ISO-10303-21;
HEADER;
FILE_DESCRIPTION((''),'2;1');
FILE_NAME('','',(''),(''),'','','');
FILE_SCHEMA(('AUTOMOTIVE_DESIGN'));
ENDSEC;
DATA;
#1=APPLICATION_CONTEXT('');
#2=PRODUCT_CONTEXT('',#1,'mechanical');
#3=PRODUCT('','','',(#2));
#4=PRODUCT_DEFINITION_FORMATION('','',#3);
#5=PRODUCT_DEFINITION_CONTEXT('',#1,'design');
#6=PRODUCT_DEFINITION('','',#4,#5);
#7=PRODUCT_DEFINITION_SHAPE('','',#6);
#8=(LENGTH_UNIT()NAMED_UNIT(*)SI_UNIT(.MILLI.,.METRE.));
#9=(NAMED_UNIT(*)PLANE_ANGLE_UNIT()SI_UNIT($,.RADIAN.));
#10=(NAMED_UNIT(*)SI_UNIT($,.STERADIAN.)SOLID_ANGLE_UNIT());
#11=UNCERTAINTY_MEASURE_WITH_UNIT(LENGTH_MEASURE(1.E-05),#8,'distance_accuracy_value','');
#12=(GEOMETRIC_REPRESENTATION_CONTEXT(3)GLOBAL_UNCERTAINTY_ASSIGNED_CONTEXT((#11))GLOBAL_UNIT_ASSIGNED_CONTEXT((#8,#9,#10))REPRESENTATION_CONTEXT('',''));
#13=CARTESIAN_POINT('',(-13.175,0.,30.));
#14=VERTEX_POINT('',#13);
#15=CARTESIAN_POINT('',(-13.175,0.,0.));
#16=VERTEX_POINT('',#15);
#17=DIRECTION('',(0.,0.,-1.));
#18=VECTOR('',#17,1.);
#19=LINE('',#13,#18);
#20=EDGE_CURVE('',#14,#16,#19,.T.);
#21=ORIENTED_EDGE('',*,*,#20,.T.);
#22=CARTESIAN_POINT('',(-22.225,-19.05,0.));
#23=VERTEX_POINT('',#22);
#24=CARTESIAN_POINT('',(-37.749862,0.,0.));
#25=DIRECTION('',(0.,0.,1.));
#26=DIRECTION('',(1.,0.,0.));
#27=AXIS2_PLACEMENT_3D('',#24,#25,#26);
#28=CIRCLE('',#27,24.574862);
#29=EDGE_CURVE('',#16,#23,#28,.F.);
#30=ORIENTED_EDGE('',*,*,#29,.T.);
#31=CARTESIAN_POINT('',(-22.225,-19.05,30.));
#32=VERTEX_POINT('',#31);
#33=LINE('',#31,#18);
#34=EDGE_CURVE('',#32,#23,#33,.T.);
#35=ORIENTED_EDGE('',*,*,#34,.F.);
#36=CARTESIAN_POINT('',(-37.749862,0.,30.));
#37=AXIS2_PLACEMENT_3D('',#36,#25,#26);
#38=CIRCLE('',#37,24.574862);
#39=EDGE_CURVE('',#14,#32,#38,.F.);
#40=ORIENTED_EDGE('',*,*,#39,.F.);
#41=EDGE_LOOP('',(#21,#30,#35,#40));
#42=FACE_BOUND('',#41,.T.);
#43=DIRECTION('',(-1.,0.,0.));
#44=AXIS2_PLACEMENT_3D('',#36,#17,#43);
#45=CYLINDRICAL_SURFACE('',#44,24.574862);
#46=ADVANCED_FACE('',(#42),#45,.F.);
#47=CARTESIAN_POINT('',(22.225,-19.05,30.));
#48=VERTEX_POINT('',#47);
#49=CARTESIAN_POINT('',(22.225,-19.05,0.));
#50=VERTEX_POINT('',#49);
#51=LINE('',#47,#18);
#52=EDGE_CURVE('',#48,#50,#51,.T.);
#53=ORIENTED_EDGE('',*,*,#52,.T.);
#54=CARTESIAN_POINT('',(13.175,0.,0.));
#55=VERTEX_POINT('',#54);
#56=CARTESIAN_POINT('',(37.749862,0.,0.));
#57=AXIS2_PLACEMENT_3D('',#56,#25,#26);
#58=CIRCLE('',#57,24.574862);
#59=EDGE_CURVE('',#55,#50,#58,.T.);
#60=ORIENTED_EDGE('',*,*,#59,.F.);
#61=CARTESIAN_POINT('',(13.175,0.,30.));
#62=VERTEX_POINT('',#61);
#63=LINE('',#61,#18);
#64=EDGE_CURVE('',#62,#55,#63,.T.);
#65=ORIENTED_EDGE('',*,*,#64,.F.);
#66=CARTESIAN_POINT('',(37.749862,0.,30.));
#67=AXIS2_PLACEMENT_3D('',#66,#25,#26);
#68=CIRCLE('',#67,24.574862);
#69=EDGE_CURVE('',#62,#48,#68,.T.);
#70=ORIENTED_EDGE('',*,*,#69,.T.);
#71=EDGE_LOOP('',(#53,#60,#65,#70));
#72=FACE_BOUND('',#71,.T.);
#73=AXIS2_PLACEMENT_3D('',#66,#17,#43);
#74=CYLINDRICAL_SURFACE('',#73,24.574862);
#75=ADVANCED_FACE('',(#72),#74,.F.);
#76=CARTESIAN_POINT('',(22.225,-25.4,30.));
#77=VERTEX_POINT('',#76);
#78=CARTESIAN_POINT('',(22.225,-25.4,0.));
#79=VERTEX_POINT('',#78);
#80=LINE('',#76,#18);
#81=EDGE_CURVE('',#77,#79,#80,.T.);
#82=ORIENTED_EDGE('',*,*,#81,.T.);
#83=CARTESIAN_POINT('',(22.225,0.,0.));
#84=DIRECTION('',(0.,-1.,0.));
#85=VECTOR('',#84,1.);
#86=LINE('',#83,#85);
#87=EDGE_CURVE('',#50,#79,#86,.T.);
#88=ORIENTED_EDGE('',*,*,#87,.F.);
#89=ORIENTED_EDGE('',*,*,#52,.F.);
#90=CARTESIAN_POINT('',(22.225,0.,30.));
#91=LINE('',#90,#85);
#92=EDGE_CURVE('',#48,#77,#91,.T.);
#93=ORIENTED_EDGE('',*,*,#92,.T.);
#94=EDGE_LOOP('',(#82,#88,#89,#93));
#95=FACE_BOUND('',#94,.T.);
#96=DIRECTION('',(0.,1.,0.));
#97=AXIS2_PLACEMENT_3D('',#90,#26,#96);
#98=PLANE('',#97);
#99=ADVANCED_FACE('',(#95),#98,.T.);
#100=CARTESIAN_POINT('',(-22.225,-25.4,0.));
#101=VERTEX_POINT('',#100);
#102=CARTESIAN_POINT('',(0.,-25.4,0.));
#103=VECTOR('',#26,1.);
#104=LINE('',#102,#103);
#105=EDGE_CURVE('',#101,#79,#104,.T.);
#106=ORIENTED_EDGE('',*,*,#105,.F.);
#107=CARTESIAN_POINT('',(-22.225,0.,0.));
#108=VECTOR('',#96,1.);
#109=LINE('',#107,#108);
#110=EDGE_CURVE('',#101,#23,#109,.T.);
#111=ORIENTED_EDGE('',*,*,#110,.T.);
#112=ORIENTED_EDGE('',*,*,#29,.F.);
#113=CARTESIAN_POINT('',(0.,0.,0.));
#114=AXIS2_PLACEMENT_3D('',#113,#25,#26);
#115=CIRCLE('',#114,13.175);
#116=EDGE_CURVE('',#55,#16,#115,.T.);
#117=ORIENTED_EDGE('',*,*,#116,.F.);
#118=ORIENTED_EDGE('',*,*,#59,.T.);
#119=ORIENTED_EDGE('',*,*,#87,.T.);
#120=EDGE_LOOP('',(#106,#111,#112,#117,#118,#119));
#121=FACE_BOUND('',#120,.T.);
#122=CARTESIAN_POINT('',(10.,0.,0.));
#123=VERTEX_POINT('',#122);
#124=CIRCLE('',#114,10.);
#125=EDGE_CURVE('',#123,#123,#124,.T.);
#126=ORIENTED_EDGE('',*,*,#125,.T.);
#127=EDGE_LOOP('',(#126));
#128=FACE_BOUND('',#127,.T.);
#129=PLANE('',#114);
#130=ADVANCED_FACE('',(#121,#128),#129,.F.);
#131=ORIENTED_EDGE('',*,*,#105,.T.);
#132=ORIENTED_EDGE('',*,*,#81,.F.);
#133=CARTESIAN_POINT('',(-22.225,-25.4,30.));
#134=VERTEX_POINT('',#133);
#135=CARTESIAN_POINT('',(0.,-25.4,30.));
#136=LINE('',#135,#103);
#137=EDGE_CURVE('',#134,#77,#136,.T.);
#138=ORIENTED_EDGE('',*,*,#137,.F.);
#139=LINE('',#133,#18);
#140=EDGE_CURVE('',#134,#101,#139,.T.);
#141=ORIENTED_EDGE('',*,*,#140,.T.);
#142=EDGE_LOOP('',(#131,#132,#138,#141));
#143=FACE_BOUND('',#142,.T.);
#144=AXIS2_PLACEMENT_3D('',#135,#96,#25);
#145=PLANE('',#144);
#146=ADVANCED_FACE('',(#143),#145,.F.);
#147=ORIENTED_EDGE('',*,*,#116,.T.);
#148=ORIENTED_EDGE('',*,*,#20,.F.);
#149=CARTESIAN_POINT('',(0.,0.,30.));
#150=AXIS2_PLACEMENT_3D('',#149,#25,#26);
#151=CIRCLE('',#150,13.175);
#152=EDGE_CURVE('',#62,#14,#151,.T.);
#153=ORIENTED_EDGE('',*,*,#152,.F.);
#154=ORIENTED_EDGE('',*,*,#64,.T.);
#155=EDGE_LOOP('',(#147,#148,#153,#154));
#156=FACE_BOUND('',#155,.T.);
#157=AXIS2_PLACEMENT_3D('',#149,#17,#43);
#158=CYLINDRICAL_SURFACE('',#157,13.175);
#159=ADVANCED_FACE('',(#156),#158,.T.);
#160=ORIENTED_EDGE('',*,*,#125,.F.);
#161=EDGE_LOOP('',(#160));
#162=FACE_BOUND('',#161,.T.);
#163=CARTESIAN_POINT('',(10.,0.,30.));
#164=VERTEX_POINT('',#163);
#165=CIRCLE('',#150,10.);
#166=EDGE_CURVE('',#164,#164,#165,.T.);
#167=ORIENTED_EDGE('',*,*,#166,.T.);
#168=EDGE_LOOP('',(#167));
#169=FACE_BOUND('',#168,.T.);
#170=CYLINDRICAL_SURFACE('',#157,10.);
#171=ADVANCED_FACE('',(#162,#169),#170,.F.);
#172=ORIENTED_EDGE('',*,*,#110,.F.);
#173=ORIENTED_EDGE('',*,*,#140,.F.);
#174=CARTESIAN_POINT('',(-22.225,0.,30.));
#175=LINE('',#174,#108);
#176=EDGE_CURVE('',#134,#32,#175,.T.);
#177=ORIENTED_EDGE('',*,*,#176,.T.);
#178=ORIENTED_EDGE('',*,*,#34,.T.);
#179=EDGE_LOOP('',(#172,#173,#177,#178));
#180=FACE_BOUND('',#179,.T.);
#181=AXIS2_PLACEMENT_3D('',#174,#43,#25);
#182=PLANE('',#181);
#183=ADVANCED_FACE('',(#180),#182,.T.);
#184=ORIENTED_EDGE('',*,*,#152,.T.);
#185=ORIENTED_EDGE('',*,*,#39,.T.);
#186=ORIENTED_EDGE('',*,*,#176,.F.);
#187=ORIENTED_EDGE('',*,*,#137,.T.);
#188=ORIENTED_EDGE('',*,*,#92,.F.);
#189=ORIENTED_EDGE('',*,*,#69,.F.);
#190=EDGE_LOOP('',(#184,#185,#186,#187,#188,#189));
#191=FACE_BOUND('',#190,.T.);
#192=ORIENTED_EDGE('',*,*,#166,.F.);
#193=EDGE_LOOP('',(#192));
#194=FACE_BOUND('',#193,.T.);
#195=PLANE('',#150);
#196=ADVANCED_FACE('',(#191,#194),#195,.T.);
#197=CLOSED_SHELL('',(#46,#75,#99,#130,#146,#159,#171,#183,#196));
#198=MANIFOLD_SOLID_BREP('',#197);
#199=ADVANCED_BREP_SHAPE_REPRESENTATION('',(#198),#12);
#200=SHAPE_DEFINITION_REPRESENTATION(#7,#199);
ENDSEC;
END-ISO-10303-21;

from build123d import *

# Parameters (mm, degrees)
SKETCH1_R           = 10
BOSS_EXTRUDE1_DEPTH = 30


with BuildPart() as part:
    # Sketch1 → Boss-Extrude1 (new body)
    with BuildSketch(Plane.XY):
        with BuildLine():
            ThreePointArc((13.175, 0), (15.552506488, -10.54520033), (22.225, -19.05))
            Line((22.225, -19.05), (22.225, -25.4))
            Line((22.225, -25.4), (-22.225, -25.4))
            Line((-22.225, -25.4), (-22.225, -19.05))
            ThreePointArc((-22.225, -19.05), (-15.552506488, -10.54520033), (-13.175, 0))
            ThreePointArc((-13.175, 0), (0, 13.175), (13.175, 0))
        make_face()
        Circle(SKETCH1_R, mode=Mode.SUBTRACT)
    extrude(amount=BOSS_EXTRUDE1_DEPTH)


solid = part.part
